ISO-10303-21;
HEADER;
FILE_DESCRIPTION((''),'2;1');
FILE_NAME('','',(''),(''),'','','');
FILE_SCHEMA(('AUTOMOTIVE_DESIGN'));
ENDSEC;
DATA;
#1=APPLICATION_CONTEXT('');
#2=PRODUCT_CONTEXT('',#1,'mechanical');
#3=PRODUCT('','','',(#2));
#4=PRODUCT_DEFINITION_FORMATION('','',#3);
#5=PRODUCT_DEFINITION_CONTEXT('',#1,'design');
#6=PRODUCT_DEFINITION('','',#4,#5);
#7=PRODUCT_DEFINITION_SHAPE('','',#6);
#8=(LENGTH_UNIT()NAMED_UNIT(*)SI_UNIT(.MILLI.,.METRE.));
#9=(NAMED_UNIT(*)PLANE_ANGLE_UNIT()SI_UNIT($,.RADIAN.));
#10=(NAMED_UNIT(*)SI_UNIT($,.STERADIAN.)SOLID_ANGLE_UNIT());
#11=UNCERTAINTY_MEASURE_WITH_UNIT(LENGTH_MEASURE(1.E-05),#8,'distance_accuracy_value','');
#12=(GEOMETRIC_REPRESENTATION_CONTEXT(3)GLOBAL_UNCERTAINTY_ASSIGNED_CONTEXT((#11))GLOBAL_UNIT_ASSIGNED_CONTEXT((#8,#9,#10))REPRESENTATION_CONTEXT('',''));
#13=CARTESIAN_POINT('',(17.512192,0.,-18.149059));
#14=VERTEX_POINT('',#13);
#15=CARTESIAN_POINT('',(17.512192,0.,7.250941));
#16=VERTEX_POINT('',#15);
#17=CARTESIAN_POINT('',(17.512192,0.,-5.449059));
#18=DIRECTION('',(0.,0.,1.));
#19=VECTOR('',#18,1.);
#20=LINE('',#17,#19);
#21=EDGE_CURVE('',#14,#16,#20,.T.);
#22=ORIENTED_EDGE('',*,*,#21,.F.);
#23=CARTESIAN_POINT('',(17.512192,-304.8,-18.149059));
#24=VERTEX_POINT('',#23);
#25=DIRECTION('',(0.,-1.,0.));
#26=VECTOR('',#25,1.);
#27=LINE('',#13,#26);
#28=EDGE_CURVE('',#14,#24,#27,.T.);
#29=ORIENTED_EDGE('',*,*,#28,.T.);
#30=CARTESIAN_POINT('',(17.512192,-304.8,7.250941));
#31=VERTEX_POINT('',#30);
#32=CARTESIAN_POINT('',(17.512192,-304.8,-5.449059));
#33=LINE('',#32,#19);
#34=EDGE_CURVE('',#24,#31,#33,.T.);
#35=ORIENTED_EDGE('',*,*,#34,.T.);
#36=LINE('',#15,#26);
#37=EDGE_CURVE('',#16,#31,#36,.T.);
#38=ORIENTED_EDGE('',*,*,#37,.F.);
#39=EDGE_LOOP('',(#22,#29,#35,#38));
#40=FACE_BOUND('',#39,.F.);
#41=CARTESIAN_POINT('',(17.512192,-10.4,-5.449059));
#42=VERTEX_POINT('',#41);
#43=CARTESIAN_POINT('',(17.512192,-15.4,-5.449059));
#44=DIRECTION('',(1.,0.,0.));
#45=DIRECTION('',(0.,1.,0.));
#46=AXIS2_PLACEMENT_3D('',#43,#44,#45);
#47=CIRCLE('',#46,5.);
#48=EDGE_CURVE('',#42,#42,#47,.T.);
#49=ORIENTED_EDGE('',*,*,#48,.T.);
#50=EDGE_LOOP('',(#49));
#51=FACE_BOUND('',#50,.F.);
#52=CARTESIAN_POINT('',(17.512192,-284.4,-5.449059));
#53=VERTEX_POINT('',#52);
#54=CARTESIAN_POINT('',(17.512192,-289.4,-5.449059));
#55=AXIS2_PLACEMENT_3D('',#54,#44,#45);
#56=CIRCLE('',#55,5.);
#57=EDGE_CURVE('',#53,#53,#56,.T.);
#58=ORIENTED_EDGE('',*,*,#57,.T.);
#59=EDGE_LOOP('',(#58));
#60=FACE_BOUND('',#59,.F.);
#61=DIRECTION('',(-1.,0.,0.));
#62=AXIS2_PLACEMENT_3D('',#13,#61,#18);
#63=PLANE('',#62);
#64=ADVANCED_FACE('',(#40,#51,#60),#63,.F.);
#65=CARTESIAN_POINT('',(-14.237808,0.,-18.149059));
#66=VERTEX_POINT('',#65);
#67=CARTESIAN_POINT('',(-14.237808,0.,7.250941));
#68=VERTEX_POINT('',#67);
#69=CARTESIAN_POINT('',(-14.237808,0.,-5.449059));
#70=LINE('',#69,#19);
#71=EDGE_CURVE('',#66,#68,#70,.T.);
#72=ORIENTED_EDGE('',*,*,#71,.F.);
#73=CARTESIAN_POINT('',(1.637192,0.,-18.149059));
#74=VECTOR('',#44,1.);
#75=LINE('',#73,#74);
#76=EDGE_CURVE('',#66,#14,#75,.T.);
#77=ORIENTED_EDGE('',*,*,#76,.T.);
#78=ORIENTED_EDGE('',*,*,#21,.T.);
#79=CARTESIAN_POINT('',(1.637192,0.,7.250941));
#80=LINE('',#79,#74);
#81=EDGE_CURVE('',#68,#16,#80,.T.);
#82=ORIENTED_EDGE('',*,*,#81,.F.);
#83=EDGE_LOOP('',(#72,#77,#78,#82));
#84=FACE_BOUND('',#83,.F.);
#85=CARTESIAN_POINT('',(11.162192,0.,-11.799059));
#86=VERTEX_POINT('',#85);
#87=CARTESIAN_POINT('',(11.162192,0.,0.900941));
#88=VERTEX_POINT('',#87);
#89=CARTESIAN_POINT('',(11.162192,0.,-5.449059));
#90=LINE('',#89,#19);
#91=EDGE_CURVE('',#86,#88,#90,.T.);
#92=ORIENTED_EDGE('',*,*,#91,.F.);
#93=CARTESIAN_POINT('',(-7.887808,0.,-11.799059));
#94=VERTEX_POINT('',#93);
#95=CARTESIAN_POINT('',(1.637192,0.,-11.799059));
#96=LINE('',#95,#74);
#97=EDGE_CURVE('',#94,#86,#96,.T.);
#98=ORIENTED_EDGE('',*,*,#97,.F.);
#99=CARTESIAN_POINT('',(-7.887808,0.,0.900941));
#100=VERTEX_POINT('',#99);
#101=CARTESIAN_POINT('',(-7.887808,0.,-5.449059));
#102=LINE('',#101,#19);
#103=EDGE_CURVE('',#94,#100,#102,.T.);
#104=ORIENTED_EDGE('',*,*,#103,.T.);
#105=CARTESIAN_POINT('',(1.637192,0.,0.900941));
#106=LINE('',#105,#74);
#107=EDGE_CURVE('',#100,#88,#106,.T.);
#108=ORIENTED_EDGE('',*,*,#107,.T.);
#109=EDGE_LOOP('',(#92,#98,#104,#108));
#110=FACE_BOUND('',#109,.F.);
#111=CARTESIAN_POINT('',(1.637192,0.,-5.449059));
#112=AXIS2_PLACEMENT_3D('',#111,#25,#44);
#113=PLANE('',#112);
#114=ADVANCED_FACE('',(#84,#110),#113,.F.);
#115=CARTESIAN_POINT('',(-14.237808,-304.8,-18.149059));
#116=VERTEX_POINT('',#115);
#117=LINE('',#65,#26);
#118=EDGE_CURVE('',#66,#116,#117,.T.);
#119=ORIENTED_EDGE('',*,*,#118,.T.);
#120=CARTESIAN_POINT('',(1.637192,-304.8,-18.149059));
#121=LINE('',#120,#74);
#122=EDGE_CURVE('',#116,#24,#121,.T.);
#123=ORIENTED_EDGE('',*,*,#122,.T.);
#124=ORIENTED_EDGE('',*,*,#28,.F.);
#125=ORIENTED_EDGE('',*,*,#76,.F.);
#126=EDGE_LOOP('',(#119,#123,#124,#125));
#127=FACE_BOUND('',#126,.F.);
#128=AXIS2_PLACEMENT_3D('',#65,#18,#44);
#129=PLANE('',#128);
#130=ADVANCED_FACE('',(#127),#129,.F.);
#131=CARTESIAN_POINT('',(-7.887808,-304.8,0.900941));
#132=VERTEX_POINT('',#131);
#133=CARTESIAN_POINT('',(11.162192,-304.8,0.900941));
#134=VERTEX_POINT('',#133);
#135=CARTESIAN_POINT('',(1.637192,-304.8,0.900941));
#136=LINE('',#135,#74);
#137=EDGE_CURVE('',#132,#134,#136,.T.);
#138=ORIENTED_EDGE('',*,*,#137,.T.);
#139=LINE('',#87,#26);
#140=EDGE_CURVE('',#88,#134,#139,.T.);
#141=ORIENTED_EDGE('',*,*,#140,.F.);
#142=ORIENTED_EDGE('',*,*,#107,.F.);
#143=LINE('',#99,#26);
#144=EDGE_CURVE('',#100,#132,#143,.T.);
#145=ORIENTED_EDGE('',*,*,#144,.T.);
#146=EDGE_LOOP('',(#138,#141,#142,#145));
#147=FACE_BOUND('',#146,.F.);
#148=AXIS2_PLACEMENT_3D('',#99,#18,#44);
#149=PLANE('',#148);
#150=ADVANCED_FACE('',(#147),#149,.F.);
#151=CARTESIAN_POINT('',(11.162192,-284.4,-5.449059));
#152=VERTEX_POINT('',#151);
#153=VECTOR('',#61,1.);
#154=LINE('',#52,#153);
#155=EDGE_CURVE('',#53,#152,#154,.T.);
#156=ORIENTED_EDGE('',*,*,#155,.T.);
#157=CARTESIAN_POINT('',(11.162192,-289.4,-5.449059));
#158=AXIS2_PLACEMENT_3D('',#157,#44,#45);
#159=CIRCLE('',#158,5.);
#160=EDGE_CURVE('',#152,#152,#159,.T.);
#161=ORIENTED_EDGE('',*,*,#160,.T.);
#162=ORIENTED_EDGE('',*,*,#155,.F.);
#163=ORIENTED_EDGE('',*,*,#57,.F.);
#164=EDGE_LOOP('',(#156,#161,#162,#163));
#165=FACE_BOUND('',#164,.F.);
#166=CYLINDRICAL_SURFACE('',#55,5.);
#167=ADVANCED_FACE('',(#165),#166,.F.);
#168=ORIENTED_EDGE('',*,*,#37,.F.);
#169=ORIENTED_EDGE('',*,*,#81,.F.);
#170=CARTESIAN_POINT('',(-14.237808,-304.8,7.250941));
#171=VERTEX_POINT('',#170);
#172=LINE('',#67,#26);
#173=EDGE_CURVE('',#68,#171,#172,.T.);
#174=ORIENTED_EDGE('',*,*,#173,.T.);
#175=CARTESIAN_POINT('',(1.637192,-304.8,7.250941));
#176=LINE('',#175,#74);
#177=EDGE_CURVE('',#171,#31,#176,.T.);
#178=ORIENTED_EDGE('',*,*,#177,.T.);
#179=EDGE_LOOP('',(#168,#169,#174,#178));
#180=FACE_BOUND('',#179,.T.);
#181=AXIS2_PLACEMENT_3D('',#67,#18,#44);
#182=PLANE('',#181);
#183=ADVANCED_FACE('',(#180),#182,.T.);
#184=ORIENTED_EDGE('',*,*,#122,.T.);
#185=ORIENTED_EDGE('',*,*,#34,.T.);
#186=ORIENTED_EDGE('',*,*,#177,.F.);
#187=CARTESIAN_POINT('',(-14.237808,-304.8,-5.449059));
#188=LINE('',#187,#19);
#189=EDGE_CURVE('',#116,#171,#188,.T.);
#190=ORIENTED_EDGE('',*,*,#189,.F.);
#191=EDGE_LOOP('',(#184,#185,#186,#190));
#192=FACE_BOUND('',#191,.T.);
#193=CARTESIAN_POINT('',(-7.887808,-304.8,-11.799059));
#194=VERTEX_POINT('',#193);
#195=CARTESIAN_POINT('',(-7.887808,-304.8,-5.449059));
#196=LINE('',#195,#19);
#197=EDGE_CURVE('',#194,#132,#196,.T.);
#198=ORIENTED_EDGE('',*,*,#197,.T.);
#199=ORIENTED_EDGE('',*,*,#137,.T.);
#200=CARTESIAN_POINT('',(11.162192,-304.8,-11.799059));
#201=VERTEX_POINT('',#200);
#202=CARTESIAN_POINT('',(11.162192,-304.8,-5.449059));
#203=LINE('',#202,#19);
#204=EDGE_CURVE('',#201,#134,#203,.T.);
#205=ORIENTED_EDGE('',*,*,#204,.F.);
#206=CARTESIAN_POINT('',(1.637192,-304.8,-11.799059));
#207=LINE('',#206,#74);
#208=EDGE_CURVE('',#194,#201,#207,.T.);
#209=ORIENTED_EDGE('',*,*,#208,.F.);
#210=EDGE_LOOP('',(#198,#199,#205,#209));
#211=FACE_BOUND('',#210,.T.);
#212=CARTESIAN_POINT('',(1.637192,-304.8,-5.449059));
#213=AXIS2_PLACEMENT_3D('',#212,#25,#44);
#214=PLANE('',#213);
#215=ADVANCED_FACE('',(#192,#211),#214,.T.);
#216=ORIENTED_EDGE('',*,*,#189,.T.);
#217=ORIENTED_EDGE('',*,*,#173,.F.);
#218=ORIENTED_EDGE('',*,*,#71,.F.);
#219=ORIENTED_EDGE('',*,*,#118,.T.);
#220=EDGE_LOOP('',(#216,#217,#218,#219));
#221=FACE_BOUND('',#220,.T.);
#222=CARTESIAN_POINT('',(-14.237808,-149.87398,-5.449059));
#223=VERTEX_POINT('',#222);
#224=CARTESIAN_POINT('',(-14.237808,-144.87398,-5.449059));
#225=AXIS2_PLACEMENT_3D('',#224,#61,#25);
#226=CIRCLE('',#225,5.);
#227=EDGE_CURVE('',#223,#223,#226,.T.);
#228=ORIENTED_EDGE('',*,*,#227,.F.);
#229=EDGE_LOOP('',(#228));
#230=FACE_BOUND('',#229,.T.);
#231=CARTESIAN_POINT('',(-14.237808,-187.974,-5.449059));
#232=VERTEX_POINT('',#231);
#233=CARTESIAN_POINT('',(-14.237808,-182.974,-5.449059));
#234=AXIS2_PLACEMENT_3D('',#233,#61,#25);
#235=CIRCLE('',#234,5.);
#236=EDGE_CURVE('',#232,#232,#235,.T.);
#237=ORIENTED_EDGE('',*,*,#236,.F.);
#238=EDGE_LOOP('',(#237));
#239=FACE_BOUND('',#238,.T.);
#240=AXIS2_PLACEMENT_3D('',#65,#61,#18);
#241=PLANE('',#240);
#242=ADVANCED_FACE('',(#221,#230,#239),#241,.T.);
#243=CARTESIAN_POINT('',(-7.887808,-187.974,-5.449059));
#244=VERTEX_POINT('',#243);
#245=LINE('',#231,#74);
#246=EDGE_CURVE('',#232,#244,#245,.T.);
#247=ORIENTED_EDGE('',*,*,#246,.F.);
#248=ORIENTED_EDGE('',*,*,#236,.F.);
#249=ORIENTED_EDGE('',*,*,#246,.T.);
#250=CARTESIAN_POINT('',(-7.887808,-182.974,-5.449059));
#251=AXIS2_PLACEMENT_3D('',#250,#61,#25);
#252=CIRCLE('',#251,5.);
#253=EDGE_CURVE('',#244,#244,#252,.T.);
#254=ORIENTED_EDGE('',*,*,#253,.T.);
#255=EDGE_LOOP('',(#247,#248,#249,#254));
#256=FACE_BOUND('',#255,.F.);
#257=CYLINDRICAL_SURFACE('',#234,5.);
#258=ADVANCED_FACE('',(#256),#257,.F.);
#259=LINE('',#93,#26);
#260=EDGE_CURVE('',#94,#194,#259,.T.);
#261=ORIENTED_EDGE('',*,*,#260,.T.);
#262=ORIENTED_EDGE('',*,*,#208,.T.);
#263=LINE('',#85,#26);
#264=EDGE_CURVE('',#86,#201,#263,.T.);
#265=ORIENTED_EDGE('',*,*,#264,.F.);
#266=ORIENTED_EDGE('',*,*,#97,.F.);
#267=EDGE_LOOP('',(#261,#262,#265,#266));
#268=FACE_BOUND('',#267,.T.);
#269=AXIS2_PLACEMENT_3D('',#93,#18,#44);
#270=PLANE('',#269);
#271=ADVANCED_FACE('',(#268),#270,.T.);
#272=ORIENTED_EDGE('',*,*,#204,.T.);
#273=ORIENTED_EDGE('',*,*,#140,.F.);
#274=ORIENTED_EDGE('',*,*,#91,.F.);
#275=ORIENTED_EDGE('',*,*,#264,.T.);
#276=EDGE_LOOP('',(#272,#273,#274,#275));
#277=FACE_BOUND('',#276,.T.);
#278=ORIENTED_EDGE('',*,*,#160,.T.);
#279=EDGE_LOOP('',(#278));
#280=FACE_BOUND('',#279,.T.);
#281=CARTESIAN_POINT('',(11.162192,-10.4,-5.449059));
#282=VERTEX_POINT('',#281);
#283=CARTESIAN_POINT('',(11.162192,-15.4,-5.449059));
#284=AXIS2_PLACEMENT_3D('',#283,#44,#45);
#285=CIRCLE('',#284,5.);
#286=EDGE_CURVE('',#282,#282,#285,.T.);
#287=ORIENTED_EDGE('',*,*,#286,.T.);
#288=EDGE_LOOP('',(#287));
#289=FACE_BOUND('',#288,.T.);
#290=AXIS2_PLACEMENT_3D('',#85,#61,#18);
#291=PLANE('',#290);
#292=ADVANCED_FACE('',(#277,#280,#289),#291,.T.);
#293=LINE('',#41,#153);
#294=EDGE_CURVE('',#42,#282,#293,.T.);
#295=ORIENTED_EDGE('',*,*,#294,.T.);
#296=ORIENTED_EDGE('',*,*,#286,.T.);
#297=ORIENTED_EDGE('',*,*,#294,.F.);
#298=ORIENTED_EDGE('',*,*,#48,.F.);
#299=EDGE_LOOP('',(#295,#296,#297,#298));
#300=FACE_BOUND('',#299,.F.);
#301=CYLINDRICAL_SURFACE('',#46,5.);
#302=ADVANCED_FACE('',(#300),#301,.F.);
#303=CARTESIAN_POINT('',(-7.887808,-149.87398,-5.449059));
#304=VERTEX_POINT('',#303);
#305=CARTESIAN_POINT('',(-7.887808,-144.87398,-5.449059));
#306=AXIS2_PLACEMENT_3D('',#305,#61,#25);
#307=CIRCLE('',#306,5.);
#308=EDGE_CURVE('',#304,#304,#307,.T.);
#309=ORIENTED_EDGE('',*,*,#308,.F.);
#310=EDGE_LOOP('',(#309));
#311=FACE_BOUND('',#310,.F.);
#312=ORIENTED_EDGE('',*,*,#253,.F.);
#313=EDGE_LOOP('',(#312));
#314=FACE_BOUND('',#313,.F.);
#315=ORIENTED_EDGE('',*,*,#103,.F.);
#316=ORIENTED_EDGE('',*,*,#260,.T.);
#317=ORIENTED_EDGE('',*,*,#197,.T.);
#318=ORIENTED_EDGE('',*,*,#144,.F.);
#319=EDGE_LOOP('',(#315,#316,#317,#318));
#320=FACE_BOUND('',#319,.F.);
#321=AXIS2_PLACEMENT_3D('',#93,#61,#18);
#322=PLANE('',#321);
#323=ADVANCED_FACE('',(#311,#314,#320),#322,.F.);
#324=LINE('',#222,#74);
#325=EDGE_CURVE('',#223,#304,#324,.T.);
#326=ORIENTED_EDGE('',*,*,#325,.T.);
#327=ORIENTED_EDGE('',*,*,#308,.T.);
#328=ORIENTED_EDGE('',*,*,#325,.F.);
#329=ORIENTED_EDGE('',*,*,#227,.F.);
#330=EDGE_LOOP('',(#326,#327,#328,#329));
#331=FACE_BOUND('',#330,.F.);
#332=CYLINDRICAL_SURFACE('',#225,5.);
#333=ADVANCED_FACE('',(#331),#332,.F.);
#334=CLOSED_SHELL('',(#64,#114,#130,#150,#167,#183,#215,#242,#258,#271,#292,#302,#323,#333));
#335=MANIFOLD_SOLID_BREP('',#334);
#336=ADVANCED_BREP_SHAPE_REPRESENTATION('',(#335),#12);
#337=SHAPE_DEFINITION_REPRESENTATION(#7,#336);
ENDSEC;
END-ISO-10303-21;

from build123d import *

# Parameters (mm, degrees)
F0_W     = 31.75
F0_H     = 25.4
F0_W_2   = 19.05
F0_H_2   = 12.7
F1_DEPTH = 304.8
F2_R     = 5
F3_DEPTH = 25.4
F4_R     = 5
F5_DEPTH = 12.7


with BuildPart() as f1:
    # F0 (on Front) → F1 (new body)
    with BuildSketch(Plane.XZ):
        with Locations((1.637192, -5.449059)):
            Rectangle(F0_W, F0_H)
        with Locations((1.637192, -5.449059)):
            Rectangle(F0_W_2, F0_H_2, mode=Mode.SUBTRACT)
    extrude(amount=F1_DEPTH)

    # F2 (on face) → F3 (cut)
    with BuildSketch(Plane.YZ.offset(17.512192)):
        with Locations((-15.4, -5.449059)):
            Circle(F2_R)
        with Locations((-289.4, -5.449059)):
            Circle(F2_R)
    extrude(amount=-F3_DEPTH, mode=Mode.SUBTRACT)

    # F4 (on face) → F5 (cut)
    with BuildSketch(Plane(origin=(-14.237808, 0, 0), x_dir=(0, -1, 0), z_dir=(-1, 0, 0))):
        with Locations((144.87398, -5.449059)):
            Circle(F4_R)
        with Locations((182.974, -5.449059)):
            Circle(F4_R)
    extrude(amount=-F5_DEPTH, mode=Mode.SUBTRACT)


solid = f1.part
